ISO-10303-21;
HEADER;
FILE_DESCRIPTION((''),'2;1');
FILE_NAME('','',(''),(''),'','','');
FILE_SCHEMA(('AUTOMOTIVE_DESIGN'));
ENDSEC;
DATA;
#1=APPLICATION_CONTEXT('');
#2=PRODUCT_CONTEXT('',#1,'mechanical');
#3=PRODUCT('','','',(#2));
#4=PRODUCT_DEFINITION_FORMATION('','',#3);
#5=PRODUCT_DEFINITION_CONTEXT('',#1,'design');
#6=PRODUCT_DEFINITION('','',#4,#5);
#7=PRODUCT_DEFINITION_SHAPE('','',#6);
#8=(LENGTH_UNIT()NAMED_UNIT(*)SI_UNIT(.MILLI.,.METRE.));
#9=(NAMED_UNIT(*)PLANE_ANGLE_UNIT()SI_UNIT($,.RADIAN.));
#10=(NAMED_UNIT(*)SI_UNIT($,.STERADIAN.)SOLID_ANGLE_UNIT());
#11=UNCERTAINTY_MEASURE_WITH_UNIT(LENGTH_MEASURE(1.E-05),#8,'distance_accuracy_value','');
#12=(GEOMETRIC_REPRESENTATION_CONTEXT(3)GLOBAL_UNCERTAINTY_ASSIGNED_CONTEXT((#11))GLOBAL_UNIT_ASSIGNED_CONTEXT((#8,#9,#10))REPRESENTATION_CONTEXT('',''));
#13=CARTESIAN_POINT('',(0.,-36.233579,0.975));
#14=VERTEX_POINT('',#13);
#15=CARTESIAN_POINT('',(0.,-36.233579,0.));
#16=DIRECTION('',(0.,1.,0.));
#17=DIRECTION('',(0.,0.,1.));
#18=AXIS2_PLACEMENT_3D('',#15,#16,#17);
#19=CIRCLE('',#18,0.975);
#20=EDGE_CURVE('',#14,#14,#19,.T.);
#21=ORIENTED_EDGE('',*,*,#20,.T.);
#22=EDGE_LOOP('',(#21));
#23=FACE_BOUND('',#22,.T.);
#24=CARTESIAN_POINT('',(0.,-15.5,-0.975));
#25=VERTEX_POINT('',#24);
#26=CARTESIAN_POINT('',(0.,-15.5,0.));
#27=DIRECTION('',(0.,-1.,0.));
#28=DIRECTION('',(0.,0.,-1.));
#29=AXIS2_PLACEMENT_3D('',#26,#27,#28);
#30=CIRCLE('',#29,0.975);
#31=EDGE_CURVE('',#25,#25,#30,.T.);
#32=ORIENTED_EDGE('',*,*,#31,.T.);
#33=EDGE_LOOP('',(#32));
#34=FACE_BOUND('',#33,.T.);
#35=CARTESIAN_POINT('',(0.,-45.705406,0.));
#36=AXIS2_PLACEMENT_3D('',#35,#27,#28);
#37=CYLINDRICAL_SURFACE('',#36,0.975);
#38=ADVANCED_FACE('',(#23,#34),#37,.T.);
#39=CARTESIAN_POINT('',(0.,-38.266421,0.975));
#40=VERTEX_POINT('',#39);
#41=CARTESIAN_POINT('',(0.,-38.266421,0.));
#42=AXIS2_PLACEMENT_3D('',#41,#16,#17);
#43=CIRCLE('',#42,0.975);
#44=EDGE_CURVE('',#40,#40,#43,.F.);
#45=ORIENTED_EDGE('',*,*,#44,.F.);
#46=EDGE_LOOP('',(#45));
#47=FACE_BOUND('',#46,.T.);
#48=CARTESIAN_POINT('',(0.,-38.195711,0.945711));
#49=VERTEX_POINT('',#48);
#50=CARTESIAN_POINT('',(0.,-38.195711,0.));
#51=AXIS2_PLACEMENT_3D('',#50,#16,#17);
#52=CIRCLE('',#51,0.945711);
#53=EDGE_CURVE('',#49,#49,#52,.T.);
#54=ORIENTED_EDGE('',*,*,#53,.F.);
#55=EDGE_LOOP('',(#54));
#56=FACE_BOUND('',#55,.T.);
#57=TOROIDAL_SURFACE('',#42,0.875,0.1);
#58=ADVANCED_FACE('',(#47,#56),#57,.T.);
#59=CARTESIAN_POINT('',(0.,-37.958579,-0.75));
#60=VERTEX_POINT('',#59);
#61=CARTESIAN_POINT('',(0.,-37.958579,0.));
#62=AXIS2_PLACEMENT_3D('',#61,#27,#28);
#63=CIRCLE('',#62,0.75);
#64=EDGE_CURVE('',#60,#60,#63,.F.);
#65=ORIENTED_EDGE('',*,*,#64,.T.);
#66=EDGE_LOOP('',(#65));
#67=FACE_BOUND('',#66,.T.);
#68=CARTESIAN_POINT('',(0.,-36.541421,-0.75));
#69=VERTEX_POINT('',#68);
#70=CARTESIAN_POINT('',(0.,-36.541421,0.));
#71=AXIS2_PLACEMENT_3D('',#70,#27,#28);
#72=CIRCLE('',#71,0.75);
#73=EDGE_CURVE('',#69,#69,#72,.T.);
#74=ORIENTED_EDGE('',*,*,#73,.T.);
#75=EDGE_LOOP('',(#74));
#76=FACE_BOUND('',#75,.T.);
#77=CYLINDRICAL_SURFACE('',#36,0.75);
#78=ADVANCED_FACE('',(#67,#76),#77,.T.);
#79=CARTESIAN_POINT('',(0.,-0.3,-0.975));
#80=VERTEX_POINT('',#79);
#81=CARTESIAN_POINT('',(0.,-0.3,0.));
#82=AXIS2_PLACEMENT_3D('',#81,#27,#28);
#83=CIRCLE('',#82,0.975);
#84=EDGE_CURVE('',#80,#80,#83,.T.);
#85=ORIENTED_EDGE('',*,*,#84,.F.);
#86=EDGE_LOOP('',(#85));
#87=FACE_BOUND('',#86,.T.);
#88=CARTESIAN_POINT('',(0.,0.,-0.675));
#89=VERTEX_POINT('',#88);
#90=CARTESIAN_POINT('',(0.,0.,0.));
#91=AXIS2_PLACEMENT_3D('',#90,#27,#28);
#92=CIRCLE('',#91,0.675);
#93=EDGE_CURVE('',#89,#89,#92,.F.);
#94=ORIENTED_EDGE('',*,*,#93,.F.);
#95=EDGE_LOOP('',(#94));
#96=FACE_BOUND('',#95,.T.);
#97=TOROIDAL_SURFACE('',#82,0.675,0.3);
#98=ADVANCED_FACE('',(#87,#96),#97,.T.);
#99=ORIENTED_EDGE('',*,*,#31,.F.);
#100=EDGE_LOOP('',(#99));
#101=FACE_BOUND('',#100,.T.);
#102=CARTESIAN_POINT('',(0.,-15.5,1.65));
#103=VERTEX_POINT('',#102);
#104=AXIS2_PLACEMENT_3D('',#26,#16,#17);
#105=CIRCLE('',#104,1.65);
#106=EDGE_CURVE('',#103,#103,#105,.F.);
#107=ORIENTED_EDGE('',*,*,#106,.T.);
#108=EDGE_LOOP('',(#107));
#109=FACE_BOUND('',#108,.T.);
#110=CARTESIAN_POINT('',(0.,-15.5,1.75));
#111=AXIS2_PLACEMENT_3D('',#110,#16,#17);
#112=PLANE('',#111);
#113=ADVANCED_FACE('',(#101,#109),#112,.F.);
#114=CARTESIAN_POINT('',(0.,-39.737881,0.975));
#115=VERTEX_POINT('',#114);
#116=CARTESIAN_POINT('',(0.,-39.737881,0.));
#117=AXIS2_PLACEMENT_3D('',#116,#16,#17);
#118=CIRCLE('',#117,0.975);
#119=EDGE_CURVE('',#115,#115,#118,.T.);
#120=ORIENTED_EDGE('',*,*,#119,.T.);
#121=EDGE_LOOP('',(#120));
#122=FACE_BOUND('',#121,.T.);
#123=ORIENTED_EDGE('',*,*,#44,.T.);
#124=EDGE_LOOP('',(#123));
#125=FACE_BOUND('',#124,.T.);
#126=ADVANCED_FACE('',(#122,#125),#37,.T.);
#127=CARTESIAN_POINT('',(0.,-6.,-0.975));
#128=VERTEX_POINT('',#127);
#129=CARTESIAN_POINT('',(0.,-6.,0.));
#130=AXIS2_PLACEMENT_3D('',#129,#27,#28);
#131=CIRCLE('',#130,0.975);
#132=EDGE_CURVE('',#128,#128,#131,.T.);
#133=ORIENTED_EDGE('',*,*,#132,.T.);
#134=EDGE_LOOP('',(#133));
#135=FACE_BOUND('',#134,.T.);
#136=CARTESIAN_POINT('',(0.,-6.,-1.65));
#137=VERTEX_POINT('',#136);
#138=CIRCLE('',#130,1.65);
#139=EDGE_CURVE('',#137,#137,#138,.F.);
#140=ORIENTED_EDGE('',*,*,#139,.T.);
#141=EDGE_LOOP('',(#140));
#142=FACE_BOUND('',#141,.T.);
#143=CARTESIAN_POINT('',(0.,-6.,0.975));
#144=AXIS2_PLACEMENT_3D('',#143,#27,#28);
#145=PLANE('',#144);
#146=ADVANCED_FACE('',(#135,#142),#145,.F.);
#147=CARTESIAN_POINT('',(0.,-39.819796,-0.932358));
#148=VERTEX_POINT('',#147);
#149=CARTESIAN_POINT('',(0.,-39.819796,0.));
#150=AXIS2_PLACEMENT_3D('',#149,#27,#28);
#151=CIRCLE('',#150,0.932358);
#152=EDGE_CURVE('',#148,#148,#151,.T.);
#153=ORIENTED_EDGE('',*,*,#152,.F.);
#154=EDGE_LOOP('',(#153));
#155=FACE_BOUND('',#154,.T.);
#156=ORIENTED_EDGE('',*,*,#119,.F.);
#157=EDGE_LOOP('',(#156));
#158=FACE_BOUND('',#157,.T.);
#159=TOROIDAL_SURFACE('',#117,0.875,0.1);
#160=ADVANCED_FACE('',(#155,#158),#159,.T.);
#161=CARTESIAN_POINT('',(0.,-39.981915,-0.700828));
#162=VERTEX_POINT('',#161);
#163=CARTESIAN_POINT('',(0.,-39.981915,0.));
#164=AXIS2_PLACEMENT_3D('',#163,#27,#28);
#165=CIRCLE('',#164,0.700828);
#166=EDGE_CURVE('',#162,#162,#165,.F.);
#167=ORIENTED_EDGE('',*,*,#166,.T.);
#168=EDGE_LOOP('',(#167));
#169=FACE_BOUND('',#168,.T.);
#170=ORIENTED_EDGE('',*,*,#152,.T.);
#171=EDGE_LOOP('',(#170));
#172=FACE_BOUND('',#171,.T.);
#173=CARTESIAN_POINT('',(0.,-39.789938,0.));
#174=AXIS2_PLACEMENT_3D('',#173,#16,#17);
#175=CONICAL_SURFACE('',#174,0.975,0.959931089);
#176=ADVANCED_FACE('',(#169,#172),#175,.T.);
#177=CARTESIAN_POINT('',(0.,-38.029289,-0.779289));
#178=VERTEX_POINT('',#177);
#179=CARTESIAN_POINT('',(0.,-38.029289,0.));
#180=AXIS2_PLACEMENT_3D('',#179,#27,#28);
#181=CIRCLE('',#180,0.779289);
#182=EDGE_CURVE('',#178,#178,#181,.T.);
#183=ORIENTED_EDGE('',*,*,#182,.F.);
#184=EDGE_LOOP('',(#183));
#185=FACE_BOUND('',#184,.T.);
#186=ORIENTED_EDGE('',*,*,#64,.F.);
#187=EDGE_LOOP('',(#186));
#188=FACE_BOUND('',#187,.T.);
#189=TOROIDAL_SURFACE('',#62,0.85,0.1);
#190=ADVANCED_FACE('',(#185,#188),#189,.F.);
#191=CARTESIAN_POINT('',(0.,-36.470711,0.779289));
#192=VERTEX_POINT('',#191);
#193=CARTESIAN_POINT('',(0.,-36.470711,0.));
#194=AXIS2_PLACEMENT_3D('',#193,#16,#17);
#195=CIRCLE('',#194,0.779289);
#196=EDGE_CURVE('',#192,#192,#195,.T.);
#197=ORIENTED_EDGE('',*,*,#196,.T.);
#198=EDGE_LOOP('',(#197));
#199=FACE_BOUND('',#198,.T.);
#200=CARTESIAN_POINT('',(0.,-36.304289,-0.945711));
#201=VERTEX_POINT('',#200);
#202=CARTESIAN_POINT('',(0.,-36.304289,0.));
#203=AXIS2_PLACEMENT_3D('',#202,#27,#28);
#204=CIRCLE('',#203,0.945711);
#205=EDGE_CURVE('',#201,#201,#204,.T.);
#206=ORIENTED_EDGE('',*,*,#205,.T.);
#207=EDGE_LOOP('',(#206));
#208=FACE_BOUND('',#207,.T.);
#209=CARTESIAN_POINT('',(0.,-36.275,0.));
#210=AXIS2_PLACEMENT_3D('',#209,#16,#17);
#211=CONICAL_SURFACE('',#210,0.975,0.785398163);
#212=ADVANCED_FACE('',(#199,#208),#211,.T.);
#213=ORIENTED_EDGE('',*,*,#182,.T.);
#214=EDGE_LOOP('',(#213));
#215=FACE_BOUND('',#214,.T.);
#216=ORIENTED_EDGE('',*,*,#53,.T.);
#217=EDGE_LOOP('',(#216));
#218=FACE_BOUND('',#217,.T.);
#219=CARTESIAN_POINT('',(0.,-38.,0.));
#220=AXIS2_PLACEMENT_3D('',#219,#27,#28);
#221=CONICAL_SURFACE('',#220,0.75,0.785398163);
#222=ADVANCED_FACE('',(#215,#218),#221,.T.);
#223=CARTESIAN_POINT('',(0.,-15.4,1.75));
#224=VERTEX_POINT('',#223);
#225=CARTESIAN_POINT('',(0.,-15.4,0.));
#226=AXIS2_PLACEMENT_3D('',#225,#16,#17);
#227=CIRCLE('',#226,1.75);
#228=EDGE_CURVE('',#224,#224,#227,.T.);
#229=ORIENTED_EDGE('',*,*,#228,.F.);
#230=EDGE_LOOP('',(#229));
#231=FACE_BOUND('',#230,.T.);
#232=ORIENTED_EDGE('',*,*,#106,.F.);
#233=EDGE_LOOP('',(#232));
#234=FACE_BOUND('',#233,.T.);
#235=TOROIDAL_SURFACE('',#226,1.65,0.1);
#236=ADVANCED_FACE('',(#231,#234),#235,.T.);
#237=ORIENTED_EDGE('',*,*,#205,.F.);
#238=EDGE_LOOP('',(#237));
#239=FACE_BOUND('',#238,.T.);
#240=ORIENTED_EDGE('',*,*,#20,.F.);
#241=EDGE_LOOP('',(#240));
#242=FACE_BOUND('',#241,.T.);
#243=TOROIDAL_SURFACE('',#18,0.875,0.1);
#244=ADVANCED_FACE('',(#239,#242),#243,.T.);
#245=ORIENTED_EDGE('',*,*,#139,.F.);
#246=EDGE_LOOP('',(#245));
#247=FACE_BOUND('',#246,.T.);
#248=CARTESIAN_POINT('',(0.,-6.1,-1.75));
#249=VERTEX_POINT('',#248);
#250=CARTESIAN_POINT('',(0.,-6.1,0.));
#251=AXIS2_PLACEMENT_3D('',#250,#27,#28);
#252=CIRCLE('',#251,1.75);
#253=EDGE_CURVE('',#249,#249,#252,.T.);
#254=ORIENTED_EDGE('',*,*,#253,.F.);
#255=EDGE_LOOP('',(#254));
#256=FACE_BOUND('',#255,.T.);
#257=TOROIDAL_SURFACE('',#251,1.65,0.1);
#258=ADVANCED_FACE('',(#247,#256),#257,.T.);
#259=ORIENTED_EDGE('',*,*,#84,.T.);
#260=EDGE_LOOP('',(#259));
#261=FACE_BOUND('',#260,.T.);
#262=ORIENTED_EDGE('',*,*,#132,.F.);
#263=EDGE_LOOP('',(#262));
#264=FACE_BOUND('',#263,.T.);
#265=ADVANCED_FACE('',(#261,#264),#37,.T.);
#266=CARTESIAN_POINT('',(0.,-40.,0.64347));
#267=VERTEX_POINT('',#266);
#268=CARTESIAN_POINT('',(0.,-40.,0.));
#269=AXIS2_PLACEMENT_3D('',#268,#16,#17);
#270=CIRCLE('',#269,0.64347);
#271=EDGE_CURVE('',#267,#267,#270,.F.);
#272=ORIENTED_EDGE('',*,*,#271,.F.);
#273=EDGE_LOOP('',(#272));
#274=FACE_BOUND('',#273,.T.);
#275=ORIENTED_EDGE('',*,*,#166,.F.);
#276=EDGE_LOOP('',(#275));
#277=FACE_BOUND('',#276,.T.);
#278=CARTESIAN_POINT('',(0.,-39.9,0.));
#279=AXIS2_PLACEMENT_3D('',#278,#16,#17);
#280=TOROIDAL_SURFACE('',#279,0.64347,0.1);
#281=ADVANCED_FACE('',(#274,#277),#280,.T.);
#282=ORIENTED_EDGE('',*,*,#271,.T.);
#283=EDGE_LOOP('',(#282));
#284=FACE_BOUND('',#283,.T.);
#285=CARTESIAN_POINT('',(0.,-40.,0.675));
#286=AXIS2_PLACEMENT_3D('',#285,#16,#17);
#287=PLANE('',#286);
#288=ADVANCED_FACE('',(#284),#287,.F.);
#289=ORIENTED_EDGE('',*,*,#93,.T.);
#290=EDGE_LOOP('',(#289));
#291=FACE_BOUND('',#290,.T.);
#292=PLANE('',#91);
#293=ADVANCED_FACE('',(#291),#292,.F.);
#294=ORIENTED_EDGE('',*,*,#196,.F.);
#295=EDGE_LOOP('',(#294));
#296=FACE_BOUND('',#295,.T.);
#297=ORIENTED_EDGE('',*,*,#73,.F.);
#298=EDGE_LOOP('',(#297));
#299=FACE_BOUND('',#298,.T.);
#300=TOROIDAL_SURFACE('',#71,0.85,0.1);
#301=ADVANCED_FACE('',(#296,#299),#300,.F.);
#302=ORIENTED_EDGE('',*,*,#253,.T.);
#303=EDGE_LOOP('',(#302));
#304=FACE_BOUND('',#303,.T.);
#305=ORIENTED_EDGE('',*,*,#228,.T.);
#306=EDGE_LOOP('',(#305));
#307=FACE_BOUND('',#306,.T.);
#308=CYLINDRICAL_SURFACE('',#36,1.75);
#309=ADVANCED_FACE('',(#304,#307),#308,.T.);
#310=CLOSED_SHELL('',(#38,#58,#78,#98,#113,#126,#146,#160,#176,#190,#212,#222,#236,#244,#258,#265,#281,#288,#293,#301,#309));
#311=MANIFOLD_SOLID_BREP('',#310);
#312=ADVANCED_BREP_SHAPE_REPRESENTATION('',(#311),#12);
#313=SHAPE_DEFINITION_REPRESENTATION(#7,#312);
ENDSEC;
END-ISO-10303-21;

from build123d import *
from OCP.BRepFilletAPI import BRepFilletAPI_MakeFillet

# Parameters (mm, degrees)
FILLET1_R1 = 0.3
FILLET1_R2 = 0.1


with BuildPart() as part:
    # Sketch1 → Revolve1 (revolve)
    with BuildSketch(Plane(origin=(0, 0, 0), x_dir=(0, 0, -1), z_dir=(1, 0, 0))):
        Polygon((-0.975, 0), (-0.975, -6), (-1.75, -6), (-1.75, -15.5), (-0.975, -15.5), (-0.975, -36.275), (-0.75, -36.5), (-0.75, -38), (-0.975, -38.225), (-0.975, -39.789937739), (-0.675, -40), (0, -40), (0, 0), align=None)
    revolve(axis=Axis((0, -45.705406485, 0), (0, 1, 0)))

    # Fillet1: one fillet with a radius per group of edges: ONE call of the kernel's fillet builder (fillet() takes one radius for all edges)
    fillet1_edges_1 = [part.edges().sort_by_distance(p)[0] for p in [
        (0, 0, -0.975),
    ]]
    fillet1_edges_2 = [part.edges().sort_by_distance(p)[0] for p in [
        (0, -15.5, -1.75),
        (0, -6, -1.75),
        (0, -40, -0.675),
        (0, -39.789937739, -0.975),
        (0, -38.225, -0.975),
        (0, -38, -0.75),
        (0, -36.5, -0.75),
        (0, -36.275, -0.975),
    ]]
    fillet1 = BRepFilletAPI_MakeFillet(part.part.solid().wrapped)
    for e in fillet1_edges_1:
        fillet1.Add(FILLET1_R1, e.wrapped)
    for e in fillet1_edges_2:
        fillet1.Add(FILLET1_R2, e.wrapped)
    add(Compound.cast(fillet1.Shape()), mode=Mode.REPLACE)


solid = part.part
